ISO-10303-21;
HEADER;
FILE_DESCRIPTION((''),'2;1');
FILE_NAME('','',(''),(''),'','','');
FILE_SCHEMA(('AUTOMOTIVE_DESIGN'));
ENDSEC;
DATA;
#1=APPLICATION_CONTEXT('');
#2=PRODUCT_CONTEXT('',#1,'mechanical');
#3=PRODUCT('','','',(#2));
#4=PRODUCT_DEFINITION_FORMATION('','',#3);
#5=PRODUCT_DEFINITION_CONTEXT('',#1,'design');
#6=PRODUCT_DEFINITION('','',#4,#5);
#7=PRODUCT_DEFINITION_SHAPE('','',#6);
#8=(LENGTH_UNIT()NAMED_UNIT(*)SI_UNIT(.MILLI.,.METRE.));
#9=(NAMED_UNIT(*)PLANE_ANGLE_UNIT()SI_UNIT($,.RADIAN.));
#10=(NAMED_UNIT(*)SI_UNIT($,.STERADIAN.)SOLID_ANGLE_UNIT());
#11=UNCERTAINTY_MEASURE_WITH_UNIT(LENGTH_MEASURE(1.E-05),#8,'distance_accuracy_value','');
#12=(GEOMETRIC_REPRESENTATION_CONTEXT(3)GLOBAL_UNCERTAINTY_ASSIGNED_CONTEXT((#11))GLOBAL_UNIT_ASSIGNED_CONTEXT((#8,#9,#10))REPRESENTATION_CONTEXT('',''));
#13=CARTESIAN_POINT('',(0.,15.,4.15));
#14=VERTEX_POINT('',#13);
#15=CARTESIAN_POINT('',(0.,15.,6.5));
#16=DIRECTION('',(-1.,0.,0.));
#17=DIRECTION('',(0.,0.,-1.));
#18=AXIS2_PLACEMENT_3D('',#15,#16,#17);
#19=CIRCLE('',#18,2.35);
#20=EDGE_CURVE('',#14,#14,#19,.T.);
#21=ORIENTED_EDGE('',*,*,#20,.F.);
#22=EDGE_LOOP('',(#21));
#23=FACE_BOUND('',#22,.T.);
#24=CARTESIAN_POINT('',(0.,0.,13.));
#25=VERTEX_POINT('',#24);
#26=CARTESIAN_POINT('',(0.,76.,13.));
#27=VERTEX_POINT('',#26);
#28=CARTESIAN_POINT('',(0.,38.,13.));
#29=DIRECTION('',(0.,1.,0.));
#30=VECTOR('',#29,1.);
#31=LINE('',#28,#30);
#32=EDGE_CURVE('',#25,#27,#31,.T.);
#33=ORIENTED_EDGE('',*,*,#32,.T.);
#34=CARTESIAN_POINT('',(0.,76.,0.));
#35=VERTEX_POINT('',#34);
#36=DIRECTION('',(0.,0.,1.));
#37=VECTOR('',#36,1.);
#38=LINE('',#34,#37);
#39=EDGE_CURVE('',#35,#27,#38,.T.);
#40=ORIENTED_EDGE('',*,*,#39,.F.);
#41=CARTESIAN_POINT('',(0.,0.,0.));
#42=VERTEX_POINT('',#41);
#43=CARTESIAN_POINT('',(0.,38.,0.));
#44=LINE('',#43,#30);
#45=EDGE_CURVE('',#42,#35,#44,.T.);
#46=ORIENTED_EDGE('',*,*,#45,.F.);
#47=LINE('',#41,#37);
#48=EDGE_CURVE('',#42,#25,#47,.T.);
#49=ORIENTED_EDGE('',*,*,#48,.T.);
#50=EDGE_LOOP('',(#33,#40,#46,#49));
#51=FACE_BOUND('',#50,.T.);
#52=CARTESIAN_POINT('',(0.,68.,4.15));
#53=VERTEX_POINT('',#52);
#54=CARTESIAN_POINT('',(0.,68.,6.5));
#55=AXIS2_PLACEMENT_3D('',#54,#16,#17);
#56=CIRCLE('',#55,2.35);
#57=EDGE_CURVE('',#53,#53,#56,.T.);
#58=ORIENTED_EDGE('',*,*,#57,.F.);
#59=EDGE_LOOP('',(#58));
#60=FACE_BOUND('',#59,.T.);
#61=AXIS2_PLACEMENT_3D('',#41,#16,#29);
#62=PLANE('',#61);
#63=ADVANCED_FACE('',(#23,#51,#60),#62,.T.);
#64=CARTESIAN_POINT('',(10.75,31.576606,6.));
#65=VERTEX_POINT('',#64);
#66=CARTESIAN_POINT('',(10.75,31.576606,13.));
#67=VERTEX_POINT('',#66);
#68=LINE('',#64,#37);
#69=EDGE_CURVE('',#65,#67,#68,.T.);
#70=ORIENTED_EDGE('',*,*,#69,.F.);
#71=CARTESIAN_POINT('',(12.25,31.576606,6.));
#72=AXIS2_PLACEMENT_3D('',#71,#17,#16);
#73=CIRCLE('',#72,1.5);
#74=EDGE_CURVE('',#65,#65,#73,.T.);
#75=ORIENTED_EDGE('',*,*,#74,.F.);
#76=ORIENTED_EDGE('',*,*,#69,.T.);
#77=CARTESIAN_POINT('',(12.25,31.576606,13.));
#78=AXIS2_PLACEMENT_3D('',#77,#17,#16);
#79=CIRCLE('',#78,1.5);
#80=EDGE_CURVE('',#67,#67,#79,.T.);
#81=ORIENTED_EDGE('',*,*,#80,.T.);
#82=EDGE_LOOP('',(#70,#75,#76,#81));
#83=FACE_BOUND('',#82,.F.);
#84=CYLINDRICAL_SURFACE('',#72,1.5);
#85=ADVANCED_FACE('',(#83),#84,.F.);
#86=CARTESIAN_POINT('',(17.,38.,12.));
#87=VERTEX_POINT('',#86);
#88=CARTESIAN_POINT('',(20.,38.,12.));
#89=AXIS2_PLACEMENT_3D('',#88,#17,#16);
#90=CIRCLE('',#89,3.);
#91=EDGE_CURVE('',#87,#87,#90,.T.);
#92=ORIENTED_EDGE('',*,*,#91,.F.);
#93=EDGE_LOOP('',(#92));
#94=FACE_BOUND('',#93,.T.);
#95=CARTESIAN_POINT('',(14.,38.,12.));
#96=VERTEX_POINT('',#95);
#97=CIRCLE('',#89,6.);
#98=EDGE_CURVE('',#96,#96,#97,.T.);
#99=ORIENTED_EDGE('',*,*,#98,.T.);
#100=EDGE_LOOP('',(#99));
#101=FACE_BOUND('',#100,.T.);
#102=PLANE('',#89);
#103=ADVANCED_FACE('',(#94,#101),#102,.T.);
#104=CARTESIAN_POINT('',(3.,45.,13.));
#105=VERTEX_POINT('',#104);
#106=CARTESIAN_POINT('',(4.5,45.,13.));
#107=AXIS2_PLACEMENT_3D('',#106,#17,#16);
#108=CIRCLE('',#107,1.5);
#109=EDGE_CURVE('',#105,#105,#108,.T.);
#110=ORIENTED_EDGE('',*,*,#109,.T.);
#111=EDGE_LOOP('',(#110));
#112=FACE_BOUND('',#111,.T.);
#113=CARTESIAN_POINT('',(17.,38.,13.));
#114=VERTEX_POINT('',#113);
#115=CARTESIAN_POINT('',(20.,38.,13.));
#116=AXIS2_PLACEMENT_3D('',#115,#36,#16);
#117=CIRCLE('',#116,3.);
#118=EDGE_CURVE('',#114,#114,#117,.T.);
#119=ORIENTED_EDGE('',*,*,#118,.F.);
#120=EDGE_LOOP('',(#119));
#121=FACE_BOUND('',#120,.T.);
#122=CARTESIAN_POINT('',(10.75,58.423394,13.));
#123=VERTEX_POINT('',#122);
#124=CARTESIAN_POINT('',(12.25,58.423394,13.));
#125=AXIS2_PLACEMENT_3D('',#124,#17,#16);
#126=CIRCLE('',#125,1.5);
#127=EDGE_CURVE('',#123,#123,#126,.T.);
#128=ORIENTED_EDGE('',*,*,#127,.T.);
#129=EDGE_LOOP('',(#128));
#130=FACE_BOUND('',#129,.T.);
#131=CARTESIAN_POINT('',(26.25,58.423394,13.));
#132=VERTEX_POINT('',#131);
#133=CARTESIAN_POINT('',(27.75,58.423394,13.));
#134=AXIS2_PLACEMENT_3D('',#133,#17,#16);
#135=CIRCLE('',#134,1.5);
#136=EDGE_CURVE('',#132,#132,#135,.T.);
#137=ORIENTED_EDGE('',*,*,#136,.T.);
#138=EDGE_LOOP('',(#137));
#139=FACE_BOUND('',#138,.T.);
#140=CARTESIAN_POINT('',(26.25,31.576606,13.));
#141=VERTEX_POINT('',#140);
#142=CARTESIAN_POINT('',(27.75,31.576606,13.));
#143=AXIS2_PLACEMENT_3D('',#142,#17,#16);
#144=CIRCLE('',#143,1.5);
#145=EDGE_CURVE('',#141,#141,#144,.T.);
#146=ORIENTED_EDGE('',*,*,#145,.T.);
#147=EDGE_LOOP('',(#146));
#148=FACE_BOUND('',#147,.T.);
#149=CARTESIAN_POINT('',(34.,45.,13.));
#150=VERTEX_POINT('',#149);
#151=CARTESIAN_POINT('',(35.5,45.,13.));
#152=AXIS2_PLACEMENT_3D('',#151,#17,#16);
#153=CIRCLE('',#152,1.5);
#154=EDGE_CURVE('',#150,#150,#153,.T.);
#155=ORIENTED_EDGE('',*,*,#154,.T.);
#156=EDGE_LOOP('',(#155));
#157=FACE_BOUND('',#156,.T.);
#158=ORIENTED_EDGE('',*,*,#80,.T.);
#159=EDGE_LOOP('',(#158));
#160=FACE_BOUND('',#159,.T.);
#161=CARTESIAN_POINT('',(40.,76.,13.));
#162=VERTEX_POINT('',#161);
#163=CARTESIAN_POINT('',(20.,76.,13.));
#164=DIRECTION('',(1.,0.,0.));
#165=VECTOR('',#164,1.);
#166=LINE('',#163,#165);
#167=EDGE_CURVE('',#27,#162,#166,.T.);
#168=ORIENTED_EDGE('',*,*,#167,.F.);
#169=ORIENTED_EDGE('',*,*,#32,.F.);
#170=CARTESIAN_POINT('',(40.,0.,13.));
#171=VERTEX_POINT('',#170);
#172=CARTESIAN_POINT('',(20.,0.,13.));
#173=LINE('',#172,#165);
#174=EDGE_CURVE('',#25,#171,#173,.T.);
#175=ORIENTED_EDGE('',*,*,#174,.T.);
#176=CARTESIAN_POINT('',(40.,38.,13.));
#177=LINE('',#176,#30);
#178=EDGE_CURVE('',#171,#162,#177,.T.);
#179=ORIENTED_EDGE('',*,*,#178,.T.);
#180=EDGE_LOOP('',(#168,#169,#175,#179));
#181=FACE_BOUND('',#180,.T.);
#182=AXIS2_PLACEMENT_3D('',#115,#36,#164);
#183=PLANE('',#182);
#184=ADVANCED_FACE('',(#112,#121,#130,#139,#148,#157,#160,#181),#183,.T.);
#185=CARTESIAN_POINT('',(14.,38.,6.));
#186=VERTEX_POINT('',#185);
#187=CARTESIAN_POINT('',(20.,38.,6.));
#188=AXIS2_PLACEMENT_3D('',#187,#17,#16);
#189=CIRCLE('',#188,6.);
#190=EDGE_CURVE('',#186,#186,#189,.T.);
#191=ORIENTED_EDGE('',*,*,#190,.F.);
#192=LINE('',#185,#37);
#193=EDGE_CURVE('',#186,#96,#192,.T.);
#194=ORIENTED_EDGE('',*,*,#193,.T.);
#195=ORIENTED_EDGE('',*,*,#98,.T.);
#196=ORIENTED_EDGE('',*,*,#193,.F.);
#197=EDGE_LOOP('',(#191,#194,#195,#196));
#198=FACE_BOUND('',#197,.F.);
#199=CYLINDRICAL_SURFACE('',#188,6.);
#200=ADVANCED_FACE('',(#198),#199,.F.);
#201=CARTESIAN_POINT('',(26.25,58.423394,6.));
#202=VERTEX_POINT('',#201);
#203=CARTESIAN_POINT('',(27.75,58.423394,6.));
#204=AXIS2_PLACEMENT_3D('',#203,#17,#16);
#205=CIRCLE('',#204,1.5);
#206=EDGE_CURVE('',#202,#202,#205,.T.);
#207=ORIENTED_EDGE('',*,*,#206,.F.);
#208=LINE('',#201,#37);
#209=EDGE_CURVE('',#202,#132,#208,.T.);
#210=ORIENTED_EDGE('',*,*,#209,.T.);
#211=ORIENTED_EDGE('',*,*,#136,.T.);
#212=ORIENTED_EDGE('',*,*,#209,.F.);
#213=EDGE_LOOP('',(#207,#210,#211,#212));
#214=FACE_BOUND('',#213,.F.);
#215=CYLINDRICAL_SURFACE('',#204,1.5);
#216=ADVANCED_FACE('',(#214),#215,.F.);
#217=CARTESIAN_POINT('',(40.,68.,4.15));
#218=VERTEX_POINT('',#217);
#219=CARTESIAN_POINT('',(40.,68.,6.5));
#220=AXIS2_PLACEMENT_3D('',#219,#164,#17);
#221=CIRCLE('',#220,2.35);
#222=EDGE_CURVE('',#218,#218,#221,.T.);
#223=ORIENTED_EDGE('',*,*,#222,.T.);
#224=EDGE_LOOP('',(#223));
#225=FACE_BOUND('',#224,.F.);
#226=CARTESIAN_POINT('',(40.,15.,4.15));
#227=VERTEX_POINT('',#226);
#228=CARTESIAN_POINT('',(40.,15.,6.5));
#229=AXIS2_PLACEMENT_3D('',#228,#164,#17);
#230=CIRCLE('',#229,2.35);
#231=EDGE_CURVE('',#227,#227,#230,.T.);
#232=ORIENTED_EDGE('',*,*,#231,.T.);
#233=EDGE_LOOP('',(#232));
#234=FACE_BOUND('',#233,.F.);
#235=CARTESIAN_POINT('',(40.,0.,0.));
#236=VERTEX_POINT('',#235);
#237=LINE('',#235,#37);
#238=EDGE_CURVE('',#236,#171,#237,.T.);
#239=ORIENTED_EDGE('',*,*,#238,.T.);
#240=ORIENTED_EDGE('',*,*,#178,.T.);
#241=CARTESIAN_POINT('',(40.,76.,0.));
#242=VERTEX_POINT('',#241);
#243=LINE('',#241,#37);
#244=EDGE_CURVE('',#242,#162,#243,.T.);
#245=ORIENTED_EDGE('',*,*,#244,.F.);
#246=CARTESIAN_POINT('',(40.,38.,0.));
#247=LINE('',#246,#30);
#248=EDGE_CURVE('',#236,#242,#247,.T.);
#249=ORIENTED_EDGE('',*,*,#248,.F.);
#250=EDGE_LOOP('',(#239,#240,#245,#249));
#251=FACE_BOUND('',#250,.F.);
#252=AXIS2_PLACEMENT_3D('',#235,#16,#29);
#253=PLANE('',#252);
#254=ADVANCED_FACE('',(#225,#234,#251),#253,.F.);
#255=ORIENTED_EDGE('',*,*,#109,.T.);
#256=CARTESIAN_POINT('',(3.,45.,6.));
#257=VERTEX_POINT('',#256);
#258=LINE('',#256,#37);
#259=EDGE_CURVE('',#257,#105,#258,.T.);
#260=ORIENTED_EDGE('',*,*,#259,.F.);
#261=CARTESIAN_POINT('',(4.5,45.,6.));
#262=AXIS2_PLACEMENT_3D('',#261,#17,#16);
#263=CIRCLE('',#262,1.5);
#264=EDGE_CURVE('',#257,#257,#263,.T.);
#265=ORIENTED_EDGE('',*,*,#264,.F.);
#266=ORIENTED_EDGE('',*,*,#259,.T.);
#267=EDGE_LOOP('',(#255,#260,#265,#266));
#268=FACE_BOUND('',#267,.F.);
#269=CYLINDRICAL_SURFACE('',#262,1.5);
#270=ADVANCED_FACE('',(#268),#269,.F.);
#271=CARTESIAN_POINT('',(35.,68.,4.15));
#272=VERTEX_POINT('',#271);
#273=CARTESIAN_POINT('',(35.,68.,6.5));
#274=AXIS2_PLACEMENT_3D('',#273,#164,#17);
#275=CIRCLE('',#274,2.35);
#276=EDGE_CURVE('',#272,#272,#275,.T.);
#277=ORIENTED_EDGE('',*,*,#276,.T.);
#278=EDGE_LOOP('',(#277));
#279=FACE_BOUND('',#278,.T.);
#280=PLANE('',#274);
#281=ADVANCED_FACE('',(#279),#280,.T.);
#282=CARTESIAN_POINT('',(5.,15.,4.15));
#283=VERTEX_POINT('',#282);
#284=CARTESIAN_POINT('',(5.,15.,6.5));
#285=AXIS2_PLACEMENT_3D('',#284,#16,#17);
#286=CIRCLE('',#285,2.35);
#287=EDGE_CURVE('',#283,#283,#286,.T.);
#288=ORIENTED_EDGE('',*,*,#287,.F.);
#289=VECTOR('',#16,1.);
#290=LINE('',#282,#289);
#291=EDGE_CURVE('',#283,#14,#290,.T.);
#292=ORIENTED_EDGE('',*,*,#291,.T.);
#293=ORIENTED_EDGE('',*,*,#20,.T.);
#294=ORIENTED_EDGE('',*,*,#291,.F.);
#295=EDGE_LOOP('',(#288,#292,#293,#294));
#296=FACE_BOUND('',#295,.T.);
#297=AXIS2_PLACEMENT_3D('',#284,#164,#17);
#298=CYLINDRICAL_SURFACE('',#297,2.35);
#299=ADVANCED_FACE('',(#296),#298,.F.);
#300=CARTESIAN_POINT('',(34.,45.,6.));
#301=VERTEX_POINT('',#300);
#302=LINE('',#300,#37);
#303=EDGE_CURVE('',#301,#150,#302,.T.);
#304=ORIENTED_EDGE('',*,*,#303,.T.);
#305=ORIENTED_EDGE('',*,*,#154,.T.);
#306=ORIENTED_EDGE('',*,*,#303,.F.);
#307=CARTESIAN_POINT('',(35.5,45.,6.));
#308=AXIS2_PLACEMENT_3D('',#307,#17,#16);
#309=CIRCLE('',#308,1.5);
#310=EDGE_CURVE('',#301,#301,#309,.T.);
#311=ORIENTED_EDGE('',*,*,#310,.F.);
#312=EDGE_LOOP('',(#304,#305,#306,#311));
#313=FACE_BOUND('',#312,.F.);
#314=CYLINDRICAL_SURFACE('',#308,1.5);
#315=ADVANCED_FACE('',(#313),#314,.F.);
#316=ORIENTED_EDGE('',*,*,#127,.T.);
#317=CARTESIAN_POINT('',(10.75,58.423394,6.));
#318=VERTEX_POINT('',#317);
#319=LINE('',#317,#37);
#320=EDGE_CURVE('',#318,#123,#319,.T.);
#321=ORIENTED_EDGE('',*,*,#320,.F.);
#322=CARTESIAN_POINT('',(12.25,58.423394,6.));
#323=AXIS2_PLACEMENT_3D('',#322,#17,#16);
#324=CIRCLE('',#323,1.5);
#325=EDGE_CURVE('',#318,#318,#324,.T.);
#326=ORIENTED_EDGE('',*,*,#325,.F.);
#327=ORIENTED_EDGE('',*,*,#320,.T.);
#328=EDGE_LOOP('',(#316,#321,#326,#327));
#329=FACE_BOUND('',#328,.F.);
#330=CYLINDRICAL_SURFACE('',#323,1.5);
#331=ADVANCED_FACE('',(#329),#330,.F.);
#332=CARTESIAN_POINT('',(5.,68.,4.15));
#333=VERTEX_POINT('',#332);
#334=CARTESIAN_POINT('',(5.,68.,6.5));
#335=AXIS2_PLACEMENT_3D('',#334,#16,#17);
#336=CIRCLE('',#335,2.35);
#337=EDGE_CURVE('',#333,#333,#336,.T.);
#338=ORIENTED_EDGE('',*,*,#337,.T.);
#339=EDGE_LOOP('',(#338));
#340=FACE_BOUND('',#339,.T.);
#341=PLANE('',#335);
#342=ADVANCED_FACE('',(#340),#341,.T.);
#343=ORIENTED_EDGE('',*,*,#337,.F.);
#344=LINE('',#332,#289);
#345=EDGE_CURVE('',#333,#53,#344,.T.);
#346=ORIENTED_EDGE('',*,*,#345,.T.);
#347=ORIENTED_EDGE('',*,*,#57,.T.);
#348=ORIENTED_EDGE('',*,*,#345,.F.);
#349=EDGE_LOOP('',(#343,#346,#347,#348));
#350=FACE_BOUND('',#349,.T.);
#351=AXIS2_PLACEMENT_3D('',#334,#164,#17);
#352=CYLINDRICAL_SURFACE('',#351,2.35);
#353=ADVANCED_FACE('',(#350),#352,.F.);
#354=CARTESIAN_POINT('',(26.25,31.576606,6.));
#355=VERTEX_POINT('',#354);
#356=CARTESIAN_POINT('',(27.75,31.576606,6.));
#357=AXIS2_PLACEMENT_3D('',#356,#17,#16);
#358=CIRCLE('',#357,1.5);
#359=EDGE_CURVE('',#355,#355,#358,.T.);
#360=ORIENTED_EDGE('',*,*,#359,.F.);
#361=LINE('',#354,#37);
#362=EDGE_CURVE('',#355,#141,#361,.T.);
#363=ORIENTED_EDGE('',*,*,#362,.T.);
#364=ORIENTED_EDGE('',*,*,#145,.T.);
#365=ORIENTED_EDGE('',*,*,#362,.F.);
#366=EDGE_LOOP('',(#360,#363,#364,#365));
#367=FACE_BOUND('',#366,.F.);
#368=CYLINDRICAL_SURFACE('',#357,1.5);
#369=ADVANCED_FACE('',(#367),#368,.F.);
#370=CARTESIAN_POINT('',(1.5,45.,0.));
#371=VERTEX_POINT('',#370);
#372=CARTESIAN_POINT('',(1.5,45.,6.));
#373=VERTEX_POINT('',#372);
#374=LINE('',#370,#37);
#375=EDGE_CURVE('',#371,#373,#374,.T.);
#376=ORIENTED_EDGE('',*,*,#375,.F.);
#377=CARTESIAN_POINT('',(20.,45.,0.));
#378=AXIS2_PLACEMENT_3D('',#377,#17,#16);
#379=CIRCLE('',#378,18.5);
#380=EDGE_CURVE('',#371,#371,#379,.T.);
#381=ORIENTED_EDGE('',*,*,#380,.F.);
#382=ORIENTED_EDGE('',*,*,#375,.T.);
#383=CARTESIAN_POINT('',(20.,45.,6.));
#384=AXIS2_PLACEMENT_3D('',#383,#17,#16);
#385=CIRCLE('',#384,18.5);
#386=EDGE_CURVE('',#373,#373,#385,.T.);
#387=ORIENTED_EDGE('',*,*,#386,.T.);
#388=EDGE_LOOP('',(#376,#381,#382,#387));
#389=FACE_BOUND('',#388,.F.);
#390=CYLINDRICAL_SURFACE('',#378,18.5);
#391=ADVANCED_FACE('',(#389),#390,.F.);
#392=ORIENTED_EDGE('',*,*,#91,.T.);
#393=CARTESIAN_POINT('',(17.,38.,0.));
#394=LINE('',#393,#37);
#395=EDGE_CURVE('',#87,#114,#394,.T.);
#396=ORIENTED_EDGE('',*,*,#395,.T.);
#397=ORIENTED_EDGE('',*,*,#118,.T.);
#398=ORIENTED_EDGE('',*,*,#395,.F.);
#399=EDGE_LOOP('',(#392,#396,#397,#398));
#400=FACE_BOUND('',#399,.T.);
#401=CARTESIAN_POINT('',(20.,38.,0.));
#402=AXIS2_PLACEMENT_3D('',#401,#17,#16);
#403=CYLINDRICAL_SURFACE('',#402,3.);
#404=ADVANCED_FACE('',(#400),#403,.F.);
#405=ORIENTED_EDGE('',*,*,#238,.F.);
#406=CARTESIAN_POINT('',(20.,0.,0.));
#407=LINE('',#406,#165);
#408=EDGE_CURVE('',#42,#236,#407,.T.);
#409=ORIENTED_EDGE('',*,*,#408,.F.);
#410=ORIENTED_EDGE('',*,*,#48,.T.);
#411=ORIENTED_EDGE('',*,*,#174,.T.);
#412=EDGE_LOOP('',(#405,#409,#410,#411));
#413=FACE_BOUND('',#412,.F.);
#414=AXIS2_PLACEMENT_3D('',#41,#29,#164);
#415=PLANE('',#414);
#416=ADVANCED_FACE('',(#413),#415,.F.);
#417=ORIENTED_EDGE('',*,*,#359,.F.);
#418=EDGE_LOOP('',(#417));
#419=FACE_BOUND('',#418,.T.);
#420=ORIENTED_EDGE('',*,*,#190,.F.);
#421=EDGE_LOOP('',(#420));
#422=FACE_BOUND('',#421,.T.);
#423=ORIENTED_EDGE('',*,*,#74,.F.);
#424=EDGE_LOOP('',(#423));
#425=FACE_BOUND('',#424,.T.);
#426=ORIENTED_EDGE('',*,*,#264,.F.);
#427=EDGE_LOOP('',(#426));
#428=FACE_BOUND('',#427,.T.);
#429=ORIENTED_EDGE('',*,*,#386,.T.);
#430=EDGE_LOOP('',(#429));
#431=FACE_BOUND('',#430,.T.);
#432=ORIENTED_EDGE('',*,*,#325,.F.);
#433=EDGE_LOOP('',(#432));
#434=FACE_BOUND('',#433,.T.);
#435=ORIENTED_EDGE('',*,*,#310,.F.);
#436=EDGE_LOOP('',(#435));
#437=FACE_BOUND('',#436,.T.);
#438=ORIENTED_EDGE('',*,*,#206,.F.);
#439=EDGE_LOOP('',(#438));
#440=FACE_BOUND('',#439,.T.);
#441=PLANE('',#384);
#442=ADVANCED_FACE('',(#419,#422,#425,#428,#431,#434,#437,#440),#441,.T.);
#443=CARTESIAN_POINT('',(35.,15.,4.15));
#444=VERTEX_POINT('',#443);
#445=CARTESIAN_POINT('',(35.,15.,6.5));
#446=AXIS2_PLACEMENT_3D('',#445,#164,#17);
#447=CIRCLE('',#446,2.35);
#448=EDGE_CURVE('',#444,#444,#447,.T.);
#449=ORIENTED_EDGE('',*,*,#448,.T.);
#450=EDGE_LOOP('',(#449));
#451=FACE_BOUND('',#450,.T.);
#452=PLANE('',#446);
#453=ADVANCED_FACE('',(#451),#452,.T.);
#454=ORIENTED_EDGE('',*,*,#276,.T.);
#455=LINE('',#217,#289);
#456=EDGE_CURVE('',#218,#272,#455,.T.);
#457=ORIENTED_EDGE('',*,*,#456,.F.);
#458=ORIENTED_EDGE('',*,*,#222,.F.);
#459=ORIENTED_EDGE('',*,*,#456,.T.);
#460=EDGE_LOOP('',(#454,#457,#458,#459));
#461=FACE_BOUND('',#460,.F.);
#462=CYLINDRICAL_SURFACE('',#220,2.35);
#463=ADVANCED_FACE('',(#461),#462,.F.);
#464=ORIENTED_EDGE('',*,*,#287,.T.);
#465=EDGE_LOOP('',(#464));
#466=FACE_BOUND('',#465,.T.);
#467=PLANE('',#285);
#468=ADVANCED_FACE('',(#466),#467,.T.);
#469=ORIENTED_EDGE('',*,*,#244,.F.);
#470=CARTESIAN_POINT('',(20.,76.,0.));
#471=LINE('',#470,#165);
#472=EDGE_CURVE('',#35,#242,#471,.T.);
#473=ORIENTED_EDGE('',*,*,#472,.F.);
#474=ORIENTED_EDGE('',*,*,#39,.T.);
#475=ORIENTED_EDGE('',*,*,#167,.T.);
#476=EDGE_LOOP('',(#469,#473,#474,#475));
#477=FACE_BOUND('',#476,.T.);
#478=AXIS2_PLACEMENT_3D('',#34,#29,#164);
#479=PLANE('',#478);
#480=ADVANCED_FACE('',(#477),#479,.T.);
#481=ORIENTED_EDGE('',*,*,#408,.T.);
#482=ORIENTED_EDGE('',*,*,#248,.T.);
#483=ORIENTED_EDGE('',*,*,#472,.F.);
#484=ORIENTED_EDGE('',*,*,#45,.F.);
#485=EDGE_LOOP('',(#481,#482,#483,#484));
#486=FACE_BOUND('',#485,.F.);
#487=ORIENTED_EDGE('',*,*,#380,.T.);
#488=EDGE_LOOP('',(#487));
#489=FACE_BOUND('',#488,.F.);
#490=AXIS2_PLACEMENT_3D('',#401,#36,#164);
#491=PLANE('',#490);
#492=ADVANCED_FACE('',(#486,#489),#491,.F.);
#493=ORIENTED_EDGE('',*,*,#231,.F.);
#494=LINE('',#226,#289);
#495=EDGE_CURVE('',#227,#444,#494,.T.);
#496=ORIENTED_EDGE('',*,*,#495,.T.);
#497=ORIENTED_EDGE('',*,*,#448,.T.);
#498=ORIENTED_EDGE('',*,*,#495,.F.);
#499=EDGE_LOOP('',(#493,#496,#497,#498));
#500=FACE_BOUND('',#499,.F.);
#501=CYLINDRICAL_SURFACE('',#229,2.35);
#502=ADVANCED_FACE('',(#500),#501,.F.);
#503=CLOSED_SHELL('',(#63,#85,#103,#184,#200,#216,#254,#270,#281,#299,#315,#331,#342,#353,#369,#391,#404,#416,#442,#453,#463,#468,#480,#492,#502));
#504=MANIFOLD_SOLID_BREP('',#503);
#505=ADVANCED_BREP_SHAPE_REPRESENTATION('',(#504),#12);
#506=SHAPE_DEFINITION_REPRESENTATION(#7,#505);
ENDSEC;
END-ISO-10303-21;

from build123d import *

# Parameters (mm, degrees)
CROQUIS1_W              = 40
CROQUIS1_H              = 76
CROQUIS1_R              = 3
SALIENTE_EXTRUIR1_DEPTH = 13
CROQUIS5_R              = 18.5
CORTAR_EXTRUIR3_DEPTH   = 6
CROQUIS6_R              = 1.5
CORTAR_EXTRUIR4_DEPTH   = 87.168439698
CROQUIS7_R              = 6
CORTAR_EXTRUIR5_DEPTH   = 6
CROQUIS8_R              = 2.35
CORTAR_EXTRUIR6_DEPTH   = 5
CORTAR_EXTRUIR7_START   = -5
CROQUIS9_R              = 2.35
CORTAR_EXTRUIR7_DEPTH   = 5


with BuildPart() as part:
    # Croquis1 → Saliente-Extruir1 (new body)
    with BuildSketch(Plane.XY):
        with Locations((20, 38)):
            Rectangle(CROQUIS1_W, CROQUIS1_H)
        with Locations(Location((20, 38, 0), (0, 0, 180))):
            Circle(CROQUIS1_R, mode=Mode.SUBTRACT)
    extrude(amount=SALIENTE_EXTRUIR1_DEPTH)

    # Croquis5 → Cortar-Extruir3 (cut)
    with BuildSketch(Plane(origin=(0, 0, 0), x_dir=(-1, 0, 0), z_dir=(0, 0, -1))):
        with Locations((-20, 45)):
            Circle(CROQUIS5_R)
    extrude(amount=-CORTAR_EXTRUIR3_DEPTH, mode=Mode.SUBTRACT)

    # Croquis6 → Cortar-Extruir4 (cut, through all)
    with BuildSketch(Plane(origin=(0, 0, 6), x_dir=(-1, 0, 0), z_dir=(0, 0, -1))):
        with Locations((-35.5, 45)):
            Circle(CROQUIS6_R)
        with Locations((-27.75, 58.423393759)):
            Circle(CROQUIS6_R)
        with Locations((-12.25, 58.423393759)):
            Circle(CROQUIS6_R)
        with Locations((-4.5, 45)):
            Circle(CROQUIS6_R)
        with Locations((-12.25, 31.576606241)):
            Circle(CROQUIS6_R)
        with Locations((-27.75, 31.576606241)):
            Circle(CROQUIS6_R)
    extrude(amount=-CORTAR_EXTRUIR4_DEPTH, mode=Mode.SUBTRACT)

    # Croquis7 → Cortar-Extruir5 (cut)
    with BuildSketch(Plane(origin=(0, 0, 6), x_dir=(-1, 0, 0), z_dir=(0, 0, -1))):
        with Locations((-20, 38)):
            Circle(CROQUIS7_R)
    extrude(amount=-CORTAR_EXTRUIR5_DEPTH, mode=Mode.SUBTRACT)

    # Croquis8 → Cortar-Extruir6 (cut)
    with BuildSketch(Plane(origin=(40, 0, 0), x_dir=(0, 0, -1), z_dir=(1, 0, 0))):
        with Locations((-6.5, 68)):
            Circle(CROQUIS8_R)
        with Locations((-6.5, 15)):
            Circle(CROQUIS8_R)
    extrude(amount=-CORTAR_EXTRUIR6_DEPTH, mode=Mode.SUBTRACT)

    # Croquis9 → Cortar-Extruir7 (cut)
    with BuildSketch(Plane.ZY.offset(CORTAR_EXTRUIR7_START)):
        with Locations(Location((6.5, 68, 0), (0, 0, 180))):
            Circle(CROQUIS9_R)
        with Locations(Location((6.5, 15, 0), (0, 0, 180))):
            Circle(CROQUIS9_R)
    extrude(amount=CORTAR_EXTRUIR7_DEPTH, mode=Mode.SUBTRACT)


solid = part.part
